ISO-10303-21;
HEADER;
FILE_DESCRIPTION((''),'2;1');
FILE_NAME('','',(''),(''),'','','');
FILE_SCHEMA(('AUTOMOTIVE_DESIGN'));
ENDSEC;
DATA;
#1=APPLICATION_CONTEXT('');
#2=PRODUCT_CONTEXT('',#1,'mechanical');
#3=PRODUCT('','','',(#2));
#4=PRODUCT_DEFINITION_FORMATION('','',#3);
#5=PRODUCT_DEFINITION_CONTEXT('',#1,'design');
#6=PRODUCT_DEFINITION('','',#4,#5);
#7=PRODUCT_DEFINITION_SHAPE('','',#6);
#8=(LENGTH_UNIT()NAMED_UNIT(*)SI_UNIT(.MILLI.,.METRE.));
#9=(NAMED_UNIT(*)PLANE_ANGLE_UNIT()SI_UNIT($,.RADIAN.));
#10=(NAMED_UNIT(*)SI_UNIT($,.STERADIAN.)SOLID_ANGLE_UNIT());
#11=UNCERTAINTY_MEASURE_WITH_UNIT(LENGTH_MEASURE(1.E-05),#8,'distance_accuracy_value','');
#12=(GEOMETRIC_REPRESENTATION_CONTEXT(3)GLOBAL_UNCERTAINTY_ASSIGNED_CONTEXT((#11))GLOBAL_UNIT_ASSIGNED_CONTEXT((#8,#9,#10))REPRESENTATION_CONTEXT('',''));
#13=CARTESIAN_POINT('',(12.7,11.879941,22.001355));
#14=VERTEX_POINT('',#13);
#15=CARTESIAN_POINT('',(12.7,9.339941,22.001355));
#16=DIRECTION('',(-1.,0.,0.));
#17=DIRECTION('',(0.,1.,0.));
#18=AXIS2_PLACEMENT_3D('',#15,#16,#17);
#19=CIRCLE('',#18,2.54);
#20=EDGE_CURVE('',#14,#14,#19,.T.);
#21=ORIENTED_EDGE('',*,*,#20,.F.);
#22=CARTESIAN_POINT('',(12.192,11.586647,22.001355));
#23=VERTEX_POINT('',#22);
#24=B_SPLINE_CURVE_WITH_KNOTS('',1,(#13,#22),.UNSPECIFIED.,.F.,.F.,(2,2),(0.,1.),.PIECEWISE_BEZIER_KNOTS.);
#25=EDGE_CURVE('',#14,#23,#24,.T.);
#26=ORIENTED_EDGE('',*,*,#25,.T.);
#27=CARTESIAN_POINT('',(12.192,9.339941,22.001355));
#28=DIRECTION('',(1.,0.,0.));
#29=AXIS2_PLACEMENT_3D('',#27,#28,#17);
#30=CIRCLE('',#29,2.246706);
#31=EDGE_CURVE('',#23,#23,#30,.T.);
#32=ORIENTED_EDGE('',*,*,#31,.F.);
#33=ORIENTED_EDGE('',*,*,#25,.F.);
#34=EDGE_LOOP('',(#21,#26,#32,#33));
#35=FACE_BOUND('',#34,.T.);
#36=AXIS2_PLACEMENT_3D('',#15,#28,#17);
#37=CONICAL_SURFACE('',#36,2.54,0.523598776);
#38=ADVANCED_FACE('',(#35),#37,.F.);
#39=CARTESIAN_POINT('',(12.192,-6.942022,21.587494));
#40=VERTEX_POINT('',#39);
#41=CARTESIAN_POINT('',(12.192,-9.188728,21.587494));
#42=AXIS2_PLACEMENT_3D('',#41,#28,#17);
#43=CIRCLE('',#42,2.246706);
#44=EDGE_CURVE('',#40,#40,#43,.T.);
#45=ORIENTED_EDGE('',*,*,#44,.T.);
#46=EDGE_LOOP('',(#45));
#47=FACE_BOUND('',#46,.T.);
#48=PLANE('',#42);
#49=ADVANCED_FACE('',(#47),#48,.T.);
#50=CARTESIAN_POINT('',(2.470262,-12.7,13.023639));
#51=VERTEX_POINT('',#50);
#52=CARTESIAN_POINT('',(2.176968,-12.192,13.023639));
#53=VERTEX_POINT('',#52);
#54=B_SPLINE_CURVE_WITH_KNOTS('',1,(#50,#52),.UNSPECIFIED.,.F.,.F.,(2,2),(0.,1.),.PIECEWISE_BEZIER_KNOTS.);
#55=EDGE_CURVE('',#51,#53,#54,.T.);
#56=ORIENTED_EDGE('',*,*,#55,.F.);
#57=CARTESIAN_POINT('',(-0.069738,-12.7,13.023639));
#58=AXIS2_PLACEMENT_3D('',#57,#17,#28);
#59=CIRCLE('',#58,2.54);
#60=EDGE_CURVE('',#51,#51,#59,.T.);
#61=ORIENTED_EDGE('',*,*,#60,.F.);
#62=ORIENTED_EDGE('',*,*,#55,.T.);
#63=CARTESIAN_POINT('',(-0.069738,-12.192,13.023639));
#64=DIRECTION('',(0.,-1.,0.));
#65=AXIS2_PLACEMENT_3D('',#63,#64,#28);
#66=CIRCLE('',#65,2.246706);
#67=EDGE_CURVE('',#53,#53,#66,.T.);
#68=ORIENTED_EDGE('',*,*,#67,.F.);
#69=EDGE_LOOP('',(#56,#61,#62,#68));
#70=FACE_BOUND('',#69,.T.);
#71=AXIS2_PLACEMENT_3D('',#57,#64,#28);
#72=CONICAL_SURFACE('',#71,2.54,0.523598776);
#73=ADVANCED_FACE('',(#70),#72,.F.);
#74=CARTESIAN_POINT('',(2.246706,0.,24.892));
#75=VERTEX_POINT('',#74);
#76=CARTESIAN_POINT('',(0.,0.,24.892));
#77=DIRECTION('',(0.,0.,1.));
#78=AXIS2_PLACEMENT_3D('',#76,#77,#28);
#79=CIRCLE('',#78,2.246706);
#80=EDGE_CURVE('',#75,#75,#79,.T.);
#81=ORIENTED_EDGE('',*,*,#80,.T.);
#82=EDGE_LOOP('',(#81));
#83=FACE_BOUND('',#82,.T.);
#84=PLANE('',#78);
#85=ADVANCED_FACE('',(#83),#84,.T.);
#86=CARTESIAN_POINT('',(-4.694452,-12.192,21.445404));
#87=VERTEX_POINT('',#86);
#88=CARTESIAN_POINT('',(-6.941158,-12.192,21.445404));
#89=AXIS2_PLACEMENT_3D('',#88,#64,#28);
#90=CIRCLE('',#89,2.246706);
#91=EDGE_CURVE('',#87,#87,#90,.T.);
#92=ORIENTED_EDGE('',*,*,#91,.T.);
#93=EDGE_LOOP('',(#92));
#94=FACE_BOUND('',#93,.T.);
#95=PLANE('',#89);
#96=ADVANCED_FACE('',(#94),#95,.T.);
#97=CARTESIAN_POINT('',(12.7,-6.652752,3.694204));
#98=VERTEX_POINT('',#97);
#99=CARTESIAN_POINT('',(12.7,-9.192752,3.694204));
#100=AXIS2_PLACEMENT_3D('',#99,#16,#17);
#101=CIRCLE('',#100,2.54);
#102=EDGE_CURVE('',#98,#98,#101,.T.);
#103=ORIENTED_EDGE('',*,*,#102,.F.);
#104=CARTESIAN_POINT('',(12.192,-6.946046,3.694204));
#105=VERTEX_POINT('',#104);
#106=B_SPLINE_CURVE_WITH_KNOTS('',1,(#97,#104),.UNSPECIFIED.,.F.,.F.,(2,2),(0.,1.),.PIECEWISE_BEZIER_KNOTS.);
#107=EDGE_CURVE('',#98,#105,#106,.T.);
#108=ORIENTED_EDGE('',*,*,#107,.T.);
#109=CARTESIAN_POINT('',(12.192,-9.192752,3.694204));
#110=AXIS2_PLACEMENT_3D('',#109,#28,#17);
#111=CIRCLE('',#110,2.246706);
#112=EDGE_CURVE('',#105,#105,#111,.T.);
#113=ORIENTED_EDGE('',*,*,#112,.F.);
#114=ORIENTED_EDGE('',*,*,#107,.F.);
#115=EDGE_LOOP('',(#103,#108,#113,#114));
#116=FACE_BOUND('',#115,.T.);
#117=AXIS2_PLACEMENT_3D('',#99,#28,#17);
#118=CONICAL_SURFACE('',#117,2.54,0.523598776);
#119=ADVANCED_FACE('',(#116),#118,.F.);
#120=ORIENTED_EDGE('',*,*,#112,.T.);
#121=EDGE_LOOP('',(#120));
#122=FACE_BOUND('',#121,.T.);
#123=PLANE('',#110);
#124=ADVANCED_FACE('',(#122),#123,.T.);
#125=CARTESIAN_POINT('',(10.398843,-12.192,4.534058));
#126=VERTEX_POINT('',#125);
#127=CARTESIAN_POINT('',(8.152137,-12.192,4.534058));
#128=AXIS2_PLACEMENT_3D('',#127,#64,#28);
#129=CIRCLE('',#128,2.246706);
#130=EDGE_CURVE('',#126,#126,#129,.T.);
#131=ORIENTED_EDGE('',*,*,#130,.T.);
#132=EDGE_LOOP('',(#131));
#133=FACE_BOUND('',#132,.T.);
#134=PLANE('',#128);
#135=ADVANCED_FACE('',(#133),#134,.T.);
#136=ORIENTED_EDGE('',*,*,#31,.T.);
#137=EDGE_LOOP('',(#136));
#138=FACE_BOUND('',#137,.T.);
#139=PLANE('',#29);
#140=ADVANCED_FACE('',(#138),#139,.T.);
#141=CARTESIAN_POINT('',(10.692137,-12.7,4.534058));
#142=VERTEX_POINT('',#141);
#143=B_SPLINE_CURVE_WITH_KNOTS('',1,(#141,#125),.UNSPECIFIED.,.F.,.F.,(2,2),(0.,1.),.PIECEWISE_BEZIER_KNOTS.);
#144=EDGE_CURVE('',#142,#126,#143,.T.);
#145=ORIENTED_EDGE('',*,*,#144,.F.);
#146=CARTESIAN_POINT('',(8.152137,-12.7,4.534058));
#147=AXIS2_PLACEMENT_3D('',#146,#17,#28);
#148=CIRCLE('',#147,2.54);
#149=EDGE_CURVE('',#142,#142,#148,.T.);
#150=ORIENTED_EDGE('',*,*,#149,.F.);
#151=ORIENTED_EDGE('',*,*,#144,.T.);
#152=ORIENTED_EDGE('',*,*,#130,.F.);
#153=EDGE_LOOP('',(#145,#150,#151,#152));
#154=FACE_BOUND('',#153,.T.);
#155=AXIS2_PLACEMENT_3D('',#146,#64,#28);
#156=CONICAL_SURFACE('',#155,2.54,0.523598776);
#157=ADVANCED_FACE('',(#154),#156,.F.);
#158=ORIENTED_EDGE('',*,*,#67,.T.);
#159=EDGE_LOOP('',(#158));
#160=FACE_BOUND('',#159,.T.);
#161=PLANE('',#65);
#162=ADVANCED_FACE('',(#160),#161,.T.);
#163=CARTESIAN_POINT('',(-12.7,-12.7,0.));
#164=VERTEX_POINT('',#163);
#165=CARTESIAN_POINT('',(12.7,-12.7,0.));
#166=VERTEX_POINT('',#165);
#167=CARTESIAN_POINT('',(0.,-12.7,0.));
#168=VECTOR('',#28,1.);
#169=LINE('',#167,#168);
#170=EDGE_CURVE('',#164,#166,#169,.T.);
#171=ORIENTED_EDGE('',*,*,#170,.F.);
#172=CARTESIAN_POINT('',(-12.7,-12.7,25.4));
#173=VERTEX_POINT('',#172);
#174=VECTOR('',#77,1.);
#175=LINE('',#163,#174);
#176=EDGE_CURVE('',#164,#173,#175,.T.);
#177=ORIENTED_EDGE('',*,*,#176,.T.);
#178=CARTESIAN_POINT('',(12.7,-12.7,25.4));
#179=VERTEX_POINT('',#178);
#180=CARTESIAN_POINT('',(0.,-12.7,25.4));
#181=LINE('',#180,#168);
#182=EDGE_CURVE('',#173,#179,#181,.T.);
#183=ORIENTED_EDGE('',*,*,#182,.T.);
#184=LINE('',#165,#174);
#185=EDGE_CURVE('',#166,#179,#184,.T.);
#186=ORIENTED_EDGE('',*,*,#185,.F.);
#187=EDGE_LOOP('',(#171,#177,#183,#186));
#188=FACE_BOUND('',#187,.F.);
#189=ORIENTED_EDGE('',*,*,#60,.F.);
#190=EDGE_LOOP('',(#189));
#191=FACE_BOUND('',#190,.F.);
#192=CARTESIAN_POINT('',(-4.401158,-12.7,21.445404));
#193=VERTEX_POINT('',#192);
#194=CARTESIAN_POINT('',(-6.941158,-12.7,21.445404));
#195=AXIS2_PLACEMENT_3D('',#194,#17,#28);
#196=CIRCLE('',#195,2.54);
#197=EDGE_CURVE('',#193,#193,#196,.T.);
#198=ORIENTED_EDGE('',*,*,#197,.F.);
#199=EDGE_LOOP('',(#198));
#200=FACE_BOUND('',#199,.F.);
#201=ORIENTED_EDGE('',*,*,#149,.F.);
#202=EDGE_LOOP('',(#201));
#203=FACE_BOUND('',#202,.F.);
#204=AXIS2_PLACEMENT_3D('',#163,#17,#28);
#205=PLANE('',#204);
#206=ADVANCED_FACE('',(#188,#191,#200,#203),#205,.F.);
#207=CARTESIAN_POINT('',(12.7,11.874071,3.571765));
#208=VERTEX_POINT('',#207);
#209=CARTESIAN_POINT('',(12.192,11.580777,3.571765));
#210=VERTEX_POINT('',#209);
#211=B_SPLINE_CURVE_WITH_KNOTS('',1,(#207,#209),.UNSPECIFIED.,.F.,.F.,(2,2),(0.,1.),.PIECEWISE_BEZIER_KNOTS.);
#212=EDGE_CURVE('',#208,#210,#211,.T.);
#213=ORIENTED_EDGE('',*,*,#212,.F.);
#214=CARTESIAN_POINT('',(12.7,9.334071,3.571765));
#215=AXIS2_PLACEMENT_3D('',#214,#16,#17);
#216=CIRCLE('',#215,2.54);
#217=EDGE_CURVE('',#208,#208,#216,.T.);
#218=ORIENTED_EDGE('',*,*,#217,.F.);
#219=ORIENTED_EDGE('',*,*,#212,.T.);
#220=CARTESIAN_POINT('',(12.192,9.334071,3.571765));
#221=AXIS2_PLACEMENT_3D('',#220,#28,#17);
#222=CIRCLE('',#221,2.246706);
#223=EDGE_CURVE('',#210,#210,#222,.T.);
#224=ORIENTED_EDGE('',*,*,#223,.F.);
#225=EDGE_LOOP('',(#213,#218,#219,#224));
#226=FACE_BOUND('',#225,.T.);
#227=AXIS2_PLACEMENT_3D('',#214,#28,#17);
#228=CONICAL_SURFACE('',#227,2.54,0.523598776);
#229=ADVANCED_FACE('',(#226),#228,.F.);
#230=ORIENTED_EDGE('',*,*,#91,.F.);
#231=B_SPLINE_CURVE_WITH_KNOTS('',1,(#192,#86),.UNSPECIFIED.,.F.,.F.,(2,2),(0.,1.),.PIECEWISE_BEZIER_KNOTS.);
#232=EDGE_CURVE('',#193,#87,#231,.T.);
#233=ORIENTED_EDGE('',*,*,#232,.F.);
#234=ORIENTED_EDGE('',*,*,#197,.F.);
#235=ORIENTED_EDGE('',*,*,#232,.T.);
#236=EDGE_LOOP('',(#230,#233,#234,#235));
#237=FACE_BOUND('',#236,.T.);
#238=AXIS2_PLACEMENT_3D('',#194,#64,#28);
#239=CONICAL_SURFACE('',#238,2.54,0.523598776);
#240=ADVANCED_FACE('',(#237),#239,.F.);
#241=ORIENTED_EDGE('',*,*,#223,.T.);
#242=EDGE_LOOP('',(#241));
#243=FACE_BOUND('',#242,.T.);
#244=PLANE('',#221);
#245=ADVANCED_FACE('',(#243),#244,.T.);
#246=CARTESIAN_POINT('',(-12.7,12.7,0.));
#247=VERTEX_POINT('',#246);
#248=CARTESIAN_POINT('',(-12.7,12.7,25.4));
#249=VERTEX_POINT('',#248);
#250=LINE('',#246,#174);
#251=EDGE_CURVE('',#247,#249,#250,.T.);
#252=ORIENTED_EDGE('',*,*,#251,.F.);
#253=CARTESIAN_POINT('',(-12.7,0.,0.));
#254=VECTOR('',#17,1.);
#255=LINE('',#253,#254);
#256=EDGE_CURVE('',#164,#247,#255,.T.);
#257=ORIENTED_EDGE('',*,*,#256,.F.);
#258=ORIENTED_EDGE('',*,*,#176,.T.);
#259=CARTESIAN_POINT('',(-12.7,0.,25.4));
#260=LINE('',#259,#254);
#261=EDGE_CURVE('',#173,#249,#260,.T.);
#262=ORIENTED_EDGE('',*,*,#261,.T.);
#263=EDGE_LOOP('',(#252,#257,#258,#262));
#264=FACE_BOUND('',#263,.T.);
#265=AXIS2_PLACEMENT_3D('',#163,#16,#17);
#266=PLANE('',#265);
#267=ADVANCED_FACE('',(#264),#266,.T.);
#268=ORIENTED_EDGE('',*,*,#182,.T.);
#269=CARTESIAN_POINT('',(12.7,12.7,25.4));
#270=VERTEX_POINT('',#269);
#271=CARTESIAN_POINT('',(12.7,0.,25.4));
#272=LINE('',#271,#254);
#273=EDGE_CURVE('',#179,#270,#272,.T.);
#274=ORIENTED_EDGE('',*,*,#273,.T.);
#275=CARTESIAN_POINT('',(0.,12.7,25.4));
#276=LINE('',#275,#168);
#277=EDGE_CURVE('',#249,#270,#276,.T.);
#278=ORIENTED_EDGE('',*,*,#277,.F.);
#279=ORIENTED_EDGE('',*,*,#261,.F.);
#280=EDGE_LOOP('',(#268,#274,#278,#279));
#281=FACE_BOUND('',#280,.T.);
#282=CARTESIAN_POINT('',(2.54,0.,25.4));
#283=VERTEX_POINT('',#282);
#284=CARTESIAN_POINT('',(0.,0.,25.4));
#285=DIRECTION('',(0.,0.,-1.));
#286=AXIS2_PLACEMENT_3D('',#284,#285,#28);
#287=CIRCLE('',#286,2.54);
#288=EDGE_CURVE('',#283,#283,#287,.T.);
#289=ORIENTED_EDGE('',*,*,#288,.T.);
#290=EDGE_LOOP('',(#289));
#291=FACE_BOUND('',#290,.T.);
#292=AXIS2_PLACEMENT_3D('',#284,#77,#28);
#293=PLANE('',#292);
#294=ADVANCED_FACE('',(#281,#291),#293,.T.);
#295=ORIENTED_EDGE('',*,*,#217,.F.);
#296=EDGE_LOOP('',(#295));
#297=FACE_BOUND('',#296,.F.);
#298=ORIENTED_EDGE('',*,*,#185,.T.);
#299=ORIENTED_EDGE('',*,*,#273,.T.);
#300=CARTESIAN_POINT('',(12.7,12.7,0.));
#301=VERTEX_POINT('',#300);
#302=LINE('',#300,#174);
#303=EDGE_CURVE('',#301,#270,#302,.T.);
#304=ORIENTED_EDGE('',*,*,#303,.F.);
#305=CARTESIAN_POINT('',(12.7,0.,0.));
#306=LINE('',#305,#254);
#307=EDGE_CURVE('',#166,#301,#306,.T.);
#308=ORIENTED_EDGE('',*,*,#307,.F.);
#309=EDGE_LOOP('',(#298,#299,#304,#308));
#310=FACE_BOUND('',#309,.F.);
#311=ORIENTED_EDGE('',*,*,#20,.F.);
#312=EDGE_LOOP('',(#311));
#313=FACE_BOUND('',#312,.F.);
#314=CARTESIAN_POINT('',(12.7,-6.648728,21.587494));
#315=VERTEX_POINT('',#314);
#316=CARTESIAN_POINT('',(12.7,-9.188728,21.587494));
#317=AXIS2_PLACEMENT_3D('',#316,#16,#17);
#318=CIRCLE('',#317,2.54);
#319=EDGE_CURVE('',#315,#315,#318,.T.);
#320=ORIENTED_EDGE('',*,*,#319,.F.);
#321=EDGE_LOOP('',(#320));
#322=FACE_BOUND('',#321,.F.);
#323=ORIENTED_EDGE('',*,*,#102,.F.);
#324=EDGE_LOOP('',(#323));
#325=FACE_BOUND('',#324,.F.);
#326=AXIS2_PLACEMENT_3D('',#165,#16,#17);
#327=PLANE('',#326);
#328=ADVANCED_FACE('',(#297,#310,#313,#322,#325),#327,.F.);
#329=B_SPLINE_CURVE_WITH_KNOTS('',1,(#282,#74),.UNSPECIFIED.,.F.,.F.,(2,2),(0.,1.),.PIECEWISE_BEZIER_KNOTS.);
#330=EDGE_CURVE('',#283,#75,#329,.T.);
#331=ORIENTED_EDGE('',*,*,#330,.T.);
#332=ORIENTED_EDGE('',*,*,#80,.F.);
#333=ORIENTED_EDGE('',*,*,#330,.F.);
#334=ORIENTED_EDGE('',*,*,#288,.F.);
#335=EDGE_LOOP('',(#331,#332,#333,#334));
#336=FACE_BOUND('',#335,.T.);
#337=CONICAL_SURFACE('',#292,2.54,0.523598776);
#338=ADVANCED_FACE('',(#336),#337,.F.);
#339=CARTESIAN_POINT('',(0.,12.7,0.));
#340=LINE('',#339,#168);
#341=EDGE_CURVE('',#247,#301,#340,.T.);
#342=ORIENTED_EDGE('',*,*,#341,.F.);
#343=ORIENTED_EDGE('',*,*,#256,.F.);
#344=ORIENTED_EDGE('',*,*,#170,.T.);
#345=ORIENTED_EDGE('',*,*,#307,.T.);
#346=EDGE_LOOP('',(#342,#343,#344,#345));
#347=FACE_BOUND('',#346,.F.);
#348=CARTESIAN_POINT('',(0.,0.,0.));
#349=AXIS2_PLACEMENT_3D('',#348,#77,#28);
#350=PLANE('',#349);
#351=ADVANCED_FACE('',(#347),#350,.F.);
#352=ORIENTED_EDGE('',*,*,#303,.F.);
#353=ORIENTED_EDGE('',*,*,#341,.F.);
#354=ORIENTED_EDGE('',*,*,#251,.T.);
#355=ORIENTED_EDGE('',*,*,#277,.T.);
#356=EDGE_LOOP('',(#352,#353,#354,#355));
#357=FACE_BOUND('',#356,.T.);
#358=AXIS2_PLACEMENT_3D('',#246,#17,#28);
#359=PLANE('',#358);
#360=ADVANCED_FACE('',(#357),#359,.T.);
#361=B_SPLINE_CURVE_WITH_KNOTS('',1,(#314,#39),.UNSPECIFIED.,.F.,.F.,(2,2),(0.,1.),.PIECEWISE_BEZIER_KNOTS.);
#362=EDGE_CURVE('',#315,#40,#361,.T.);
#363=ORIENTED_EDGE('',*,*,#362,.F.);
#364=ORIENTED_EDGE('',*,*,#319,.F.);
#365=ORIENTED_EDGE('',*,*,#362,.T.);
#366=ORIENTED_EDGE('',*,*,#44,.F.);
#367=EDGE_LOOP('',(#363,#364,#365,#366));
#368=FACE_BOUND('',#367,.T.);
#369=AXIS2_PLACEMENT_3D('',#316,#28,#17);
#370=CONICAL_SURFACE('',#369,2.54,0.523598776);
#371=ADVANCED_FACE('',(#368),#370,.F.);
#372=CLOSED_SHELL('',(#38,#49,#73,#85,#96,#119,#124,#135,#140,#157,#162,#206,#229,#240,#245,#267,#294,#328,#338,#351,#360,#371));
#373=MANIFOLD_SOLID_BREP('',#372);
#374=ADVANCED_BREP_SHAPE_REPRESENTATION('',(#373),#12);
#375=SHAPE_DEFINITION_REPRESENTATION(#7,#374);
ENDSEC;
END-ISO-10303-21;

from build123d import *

# Parameters (mm, degrees)
F0_W     = 25.4
F0_H     = 25.4
F1_DEPTH = 25.4
F2_R     = 2.54
F3_DEPTH = 0.508
F3_TAPER = 30
F4_R     = 2.54
F5_DEPTH = 0.508
F5_TAPER = 30
F6_R     = 2.54
F7_DEPTH = 0.508
F7_TAPER = 30


with BuildPart() as f1:
    # F0 (on Top) → F1 (new body)
    with BuildSketch(Plane.XY):
        Rectangle(F0_W, F0_H)
    extrude(amount=F1_DEPTH)

    # F2 (on face) → F3 (cut)
    with BuildSketch(Plane.XY.offset(25.4)):
        Circle(F2_R)
    extrude(amount=-F3_DEPTH, taper=F3_TAPER, mode=Mode.SUBTRACT)

    # F4 (on face) → F5 (cut)
    with BuildSketch(Plane.XZ.offset(12.7)):
        with Locations((-6.9411581597, 21.445404164)):
            Circle(F4_R)
        with Locations((-0.069737803, 13.023638883)):
            Circle(F4_R)
        with Locations((8.1521372762, 4.5340581903)):
            Circle(F4_R)
    extrude(amount=-F5_DEPTH, taper=F5_TAPER, mode=Mode.SUBTRACT)

    # F6 (on face) → F7 (cut)
    with BuildSketch(Plane.YZ.offset(12.7)):
        with Locations((-9.188728149, 21.5874935842)):
            Circle(F6_R)
        with Locations((9.3399413093, 22.001354984)):
            Circle(F6_R)
        with Locations((9.3340705111, 3.5717650137)):
            Circle(F6_R)
        with Locations((-9.1927518238, 3.6942041952)):
            Circle(F6_R)
    extrude(amount=-F7_DEPTH, taper=F7_TAPER, mode=Mode.SUBTRACT)


solid = f1.part
